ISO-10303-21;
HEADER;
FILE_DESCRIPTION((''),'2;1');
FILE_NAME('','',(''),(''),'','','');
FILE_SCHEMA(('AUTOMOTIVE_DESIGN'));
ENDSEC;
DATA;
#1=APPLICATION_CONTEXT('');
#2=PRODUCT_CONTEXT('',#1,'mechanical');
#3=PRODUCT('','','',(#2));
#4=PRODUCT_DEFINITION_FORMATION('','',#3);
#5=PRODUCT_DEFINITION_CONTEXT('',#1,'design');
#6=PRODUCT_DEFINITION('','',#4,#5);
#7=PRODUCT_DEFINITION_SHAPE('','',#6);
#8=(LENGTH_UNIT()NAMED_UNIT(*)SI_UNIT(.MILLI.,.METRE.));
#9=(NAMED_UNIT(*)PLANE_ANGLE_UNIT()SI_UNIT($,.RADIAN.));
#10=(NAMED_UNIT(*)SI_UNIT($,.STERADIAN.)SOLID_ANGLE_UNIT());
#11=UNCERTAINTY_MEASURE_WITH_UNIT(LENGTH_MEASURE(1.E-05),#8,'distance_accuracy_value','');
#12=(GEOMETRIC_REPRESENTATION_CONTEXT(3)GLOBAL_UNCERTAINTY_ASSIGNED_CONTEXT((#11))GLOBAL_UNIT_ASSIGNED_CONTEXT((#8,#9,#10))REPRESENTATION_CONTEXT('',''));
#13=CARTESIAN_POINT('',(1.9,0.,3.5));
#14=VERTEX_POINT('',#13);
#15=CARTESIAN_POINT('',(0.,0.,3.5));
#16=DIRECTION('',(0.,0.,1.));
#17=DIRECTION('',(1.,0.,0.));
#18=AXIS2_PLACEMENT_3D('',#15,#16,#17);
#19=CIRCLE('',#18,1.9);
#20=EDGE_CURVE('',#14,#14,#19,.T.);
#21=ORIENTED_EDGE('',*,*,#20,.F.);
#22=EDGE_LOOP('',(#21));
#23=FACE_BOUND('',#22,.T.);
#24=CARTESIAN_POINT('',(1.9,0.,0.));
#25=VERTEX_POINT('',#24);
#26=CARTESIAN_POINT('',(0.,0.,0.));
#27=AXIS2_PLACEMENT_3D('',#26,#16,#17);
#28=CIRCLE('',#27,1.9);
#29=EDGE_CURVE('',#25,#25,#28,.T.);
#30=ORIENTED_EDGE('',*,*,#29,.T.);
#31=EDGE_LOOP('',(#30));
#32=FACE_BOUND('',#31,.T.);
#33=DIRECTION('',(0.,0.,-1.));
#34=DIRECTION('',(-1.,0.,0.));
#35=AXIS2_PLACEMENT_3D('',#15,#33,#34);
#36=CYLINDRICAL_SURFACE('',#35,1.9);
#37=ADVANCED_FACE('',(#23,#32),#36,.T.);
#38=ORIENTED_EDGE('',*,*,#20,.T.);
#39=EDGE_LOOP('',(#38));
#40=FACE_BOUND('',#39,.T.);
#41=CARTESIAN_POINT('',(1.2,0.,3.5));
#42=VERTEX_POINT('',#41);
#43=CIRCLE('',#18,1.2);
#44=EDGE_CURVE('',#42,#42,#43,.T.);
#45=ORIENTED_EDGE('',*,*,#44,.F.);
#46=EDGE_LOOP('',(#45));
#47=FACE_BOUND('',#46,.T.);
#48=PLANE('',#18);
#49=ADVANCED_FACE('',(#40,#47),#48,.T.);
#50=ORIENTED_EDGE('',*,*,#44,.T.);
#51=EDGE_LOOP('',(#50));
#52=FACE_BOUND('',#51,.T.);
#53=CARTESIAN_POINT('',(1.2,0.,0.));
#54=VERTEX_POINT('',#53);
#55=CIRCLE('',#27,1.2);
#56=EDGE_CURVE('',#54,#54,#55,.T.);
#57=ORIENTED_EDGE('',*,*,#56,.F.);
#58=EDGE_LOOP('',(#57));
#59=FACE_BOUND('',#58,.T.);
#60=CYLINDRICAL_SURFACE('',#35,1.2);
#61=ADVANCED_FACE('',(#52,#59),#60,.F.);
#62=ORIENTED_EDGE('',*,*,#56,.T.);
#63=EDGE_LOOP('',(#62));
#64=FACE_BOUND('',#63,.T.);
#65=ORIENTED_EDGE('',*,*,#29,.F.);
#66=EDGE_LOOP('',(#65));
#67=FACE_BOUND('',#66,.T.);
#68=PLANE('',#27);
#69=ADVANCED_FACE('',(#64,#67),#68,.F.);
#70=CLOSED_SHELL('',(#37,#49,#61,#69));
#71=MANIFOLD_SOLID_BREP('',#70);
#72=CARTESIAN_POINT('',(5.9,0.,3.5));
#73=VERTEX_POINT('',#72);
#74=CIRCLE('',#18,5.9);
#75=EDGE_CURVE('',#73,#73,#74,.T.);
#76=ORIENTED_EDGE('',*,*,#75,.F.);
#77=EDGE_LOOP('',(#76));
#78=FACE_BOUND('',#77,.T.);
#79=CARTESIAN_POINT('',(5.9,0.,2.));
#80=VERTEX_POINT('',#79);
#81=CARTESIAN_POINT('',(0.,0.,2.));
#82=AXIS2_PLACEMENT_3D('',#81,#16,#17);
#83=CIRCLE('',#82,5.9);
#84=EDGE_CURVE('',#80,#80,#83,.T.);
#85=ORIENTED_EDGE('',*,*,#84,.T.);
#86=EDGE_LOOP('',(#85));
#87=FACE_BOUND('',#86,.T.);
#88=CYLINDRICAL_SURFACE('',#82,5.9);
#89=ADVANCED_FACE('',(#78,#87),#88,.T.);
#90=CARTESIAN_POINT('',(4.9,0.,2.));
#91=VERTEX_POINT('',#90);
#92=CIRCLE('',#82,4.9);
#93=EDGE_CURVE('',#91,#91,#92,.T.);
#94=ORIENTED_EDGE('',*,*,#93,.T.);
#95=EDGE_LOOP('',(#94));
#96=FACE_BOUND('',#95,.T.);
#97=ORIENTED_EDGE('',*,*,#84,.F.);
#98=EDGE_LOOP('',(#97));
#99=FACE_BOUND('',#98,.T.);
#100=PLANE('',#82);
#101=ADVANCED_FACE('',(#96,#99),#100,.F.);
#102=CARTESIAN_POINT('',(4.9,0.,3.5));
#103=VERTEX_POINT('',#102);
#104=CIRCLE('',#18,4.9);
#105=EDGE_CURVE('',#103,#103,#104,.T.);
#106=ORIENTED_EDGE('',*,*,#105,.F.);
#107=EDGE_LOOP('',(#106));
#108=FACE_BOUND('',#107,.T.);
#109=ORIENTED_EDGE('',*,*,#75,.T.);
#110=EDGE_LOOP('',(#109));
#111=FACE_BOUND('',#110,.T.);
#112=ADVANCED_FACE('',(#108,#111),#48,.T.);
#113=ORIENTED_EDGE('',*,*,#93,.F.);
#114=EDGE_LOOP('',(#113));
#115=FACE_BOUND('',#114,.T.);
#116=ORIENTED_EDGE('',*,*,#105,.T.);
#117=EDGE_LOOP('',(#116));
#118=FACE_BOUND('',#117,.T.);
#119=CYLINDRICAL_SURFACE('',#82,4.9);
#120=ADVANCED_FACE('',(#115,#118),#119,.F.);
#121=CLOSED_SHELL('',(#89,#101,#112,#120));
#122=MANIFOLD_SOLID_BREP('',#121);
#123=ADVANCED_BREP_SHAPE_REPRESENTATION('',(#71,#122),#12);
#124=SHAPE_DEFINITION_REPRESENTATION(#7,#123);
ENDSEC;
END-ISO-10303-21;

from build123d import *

# Parameters (mm, degrees)
SKETCH5_R           = 1.9
SKETCH5_R_2         = 1.2
BOSS_EXTRUDE3_DEPTH = 3.5
SKETCH9_R           = 5.9
SKETCH9_R_2         = 4.9
BOSS_EXTRUDE4_DEPTH = 1.5


with BuildPart() as part:
    # Sketch5 → Boss-Extrude3 (new body)
    with BuildSketch(Plane.XY):
        Circle(SKETCH5_R)
        Circle(SKETCH5_R_2, mode=Mode.SUBTRACT)
    extrude(amount=BOSS_EXTRUDE3_DEPTH)


with BuildPart() as body_2:
    # Sketch9 → Boss-Extrude4 (new body)
    with BuildSketch(Plane.XY.offset(3.5)):
        Circle(SKETCH9_R)
        Circle(SKETCH9_R_2, mode=Mode.SUBTRACT)
    extrude(amount=-BOSS_EXTRUDE4_DEPTH)


solid = Compound([part.part, body_2.part])
